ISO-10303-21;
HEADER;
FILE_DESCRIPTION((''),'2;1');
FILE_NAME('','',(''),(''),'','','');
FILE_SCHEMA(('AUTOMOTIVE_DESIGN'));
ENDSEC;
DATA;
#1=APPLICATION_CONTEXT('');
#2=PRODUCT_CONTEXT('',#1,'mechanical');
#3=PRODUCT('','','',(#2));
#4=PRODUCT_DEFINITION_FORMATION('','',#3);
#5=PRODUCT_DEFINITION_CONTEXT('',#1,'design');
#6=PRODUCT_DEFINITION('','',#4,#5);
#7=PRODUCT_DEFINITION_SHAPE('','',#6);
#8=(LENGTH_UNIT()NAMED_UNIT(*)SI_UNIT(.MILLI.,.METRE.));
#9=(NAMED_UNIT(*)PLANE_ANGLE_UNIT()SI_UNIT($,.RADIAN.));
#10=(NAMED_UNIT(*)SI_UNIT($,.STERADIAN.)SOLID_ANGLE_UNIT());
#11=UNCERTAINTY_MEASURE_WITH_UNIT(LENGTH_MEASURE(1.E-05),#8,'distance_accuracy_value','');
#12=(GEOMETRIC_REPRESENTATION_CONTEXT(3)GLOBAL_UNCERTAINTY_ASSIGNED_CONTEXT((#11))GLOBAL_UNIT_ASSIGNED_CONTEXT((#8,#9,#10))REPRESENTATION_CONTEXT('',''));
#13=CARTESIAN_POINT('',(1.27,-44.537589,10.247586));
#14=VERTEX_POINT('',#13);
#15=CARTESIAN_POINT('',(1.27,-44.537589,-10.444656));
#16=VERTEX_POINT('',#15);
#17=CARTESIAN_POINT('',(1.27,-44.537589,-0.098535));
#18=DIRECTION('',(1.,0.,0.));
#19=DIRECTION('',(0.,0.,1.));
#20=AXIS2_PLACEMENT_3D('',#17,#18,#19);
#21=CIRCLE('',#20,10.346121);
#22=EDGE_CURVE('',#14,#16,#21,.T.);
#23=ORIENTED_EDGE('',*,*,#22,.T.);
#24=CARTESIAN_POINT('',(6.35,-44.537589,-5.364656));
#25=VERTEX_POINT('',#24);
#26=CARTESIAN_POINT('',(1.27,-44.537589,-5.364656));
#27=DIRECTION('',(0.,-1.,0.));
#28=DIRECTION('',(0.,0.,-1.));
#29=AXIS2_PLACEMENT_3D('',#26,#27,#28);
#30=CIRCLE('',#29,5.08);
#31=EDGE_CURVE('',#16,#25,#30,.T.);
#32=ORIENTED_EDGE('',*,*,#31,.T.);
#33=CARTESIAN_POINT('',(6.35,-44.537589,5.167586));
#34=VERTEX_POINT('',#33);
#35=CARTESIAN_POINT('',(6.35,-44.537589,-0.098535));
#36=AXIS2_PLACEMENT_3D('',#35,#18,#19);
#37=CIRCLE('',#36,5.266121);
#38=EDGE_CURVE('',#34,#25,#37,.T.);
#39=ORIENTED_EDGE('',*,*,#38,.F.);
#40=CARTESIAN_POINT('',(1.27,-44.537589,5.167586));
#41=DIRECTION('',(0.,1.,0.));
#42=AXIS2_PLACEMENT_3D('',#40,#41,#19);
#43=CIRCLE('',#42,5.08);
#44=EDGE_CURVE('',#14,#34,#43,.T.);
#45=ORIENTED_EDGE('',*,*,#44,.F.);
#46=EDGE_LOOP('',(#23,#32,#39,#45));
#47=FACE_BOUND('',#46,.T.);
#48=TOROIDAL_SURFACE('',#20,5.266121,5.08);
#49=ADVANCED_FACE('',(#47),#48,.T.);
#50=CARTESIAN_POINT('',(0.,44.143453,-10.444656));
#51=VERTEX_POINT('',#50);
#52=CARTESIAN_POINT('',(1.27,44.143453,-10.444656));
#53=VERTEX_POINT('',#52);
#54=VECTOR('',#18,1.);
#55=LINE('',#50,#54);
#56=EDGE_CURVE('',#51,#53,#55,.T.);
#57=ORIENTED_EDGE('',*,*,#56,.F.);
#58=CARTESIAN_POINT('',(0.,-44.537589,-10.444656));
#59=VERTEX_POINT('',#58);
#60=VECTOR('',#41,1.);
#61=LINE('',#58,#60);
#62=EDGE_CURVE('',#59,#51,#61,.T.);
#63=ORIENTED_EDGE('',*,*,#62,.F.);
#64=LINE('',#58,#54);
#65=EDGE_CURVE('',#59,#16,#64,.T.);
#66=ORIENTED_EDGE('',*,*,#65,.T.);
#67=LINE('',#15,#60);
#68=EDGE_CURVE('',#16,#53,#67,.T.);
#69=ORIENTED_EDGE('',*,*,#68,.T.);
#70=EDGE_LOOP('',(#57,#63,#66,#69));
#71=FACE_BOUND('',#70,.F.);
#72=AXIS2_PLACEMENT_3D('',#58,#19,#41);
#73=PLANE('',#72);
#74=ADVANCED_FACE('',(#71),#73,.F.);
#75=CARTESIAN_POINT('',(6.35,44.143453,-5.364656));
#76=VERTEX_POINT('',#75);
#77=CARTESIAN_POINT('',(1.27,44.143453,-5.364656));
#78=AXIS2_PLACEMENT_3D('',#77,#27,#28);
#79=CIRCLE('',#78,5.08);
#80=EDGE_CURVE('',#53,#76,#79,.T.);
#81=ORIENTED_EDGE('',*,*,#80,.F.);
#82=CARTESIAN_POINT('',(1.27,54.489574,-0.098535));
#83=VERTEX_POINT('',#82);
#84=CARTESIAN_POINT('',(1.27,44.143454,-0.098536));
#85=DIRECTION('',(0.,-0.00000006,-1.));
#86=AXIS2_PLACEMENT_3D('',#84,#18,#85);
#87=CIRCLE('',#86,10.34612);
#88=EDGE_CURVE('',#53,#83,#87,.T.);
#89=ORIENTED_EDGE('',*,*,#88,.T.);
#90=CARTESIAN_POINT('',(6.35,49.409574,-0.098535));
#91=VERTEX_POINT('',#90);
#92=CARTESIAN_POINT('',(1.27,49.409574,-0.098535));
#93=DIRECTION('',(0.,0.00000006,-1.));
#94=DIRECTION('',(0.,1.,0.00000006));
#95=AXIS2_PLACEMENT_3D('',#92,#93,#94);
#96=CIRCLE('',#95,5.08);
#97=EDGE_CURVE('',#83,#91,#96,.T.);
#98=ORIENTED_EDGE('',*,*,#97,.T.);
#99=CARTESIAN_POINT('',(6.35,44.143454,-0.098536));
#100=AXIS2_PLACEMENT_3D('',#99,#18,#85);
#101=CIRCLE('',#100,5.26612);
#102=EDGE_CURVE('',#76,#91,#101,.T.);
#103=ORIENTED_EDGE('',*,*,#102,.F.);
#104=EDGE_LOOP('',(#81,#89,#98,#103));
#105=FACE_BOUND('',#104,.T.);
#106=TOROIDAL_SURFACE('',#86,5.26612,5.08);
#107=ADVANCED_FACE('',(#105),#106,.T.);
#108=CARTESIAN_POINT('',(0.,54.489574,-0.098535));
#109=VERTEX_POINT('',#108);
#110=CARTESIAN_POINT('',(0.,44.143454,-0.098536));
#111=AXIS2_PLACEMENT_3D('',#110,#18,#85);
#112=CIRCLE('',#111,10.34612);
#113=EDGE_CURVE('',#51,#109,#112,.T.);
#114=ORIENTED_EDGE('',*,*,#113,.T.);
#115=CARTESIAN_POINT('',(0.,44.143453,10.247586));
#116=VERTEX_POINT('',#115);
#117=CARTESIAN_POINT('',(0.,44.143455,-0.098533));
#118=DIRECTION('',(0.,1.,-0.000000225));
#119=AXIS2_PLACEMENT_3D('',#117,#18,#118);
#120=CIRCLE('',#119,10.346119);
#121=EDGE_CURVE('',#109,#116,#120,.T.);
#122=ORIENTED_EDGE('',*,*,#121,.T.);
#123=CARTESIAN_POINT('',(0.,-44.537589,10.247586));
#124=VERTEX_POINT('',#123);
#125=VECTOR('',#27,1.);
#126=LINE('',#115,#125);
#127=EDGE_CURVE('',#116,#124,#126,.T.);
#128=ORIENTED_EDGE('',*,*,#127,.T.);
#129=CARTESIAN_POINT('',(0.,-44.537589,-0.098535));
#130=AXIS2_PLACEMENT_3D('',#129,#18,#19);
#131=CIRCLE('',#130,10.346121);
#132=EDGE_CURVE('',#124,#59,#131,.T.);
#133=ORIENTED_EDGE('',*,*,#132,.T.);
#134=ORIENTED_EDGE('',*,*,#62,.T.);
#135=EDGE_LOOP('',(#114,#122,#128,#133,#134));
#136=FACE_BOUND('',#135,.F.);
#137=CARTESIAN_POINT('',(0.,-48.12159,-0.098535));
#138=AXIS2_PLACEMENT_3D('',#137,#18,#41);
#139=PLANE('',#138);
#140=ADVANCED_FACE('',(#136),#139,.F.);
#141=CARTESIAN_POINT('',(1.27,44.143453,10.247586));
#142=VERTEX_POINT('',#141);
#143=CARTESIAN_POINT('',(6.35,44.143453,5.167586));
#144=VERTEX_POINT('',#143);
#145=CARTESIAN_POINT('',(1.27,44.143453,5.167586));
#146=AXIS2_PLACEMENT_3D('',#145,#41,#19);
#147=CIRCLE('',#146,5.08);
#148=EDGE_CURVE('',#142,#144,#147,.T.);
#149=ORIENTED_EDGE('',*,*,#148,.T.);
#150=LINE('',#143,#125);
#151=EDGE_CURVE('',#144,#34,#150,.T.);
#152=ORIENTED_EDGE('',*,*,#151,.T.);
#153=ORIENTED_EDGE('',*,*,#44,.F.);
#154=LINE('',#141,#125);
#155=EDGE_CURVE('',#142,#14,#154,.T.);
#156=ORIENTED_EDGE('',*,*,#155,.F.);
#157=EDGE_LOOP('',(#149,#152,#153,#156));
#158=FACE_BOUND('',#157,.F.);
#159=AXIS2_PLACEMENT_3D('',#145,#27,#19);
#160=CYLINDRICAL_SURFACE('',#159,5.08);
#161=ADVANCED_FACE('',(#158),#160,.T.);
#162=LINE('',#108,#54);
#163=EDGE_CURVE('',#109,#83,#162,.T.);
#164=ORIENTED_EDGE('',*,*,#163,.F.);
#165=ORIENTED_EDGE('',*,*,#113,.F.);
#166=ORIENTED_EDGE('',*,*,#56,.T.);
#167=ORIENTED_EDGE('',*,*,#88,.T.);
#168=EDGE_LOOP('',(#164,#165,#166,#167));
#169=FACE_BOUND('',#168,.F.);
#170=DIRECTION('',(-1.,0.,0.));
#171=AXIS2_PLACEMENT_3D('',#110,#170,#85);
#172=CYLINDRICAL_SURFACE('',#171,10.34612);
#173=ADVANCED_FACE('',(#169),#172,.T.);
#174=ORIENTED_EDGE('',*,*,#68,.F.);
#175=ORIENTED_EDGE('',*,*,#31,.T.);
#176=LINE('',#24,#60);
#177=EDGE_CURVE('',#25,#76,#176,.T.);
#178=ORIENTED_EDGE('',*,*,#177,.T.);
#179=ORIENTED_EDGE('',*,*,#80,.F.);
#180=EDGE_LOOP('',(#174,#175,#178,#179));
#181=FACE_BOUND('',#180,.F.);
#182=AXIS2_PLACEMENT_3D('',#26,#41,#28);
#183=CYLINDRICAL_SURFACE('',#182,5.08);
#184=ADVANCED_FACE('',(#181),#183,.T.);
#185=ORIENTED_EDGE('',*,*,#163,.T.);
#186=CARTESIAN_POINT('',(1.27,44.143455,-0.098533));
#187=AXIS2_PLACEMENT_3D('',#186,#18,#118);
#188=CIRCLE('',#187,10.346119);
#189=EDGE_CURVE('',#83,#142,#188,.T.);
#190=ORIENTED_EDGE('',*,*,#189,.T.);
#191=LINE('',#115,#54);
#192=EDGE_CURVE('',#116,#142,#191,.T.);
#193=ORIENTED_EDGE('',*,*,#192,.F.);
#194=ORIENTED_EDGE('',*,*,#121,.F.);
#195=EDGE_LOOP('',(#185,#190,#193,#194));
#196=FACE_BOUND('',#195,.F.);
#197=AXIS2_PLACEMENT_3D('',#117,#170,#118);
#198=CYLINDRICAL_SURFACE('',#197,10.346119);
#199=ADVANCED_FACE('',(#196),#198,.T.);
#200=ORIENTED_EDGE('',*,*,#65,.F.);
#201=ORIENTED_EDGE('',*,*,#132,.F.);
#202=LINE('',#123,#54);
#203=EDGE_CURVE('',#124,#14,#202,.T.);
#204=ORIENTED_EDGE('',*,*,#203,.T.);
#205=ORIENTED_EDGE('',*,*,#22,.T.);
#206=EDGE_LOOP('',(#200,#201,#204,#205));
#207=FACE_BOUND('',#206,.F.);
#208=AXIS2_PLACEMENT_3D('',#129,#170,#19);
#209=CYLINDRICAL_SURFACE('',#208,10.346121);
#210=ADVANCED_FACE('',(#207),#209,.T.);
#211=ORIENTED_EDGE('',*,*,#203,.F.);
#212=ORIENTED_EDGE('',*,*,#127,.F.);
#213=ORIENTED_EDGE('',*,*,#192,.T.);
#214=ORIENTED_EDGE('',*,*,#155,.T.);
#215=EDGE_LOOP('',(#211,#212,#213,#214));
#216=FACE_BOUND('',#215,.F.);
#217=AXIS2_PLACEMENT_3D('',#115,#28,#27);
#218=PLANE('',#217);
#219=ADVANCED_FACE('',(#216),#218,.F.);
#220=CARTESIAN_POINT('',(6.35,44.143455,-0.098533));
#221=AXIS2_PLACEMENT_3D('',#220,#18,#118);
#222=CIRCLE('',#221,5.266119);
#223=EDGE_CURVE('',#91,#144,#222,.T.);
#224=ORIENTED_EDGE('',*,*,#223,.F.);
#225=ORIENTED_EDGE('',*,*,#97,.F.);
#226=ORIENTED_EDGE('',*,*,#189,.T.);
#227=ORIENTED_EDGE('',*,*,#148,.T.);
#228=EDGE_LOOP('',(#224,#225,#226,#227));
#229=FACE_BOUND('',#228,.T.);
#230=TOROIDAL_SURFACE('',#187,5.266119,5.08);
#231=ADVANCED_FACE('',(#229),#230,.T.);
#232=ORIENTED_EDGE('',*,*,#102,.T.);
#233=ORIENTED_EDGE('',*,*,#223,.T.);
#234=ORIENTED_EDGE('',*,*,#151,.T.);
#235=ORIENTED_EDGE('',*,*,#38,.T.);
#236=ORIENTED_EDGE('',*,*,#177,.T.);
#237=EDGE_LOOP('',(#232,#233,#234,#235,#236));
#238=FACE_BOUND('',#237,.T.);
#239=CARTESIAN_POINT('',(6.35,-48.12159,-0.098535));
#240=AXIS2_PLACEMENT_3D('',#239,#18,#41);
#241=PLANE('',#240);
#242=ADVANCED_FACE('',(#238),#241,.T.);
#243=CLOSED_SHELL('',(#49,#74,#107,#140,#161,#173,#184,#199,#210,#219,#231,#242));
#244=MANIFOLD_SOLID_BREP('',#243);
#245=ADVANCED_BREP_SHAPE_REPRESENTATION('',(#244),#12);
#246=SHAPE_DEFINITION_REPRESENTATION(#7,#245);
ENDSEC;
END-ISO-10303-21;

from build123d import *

# Parameters (mm, degrees)
F1_DEPTH = 6.35
F2_R     = 5.08


with BuildPart() as f1:
    # F0 (on Right) → F1 (new body)
    with BuildSketch(Plane.YZ):
        with BuildLine():
            Line((-44.537589, -10.444656), (-44.537589, 10.247586))
            ThreePointArc((-44.537589, 10.247586), (-54.88371, -0.098535), (-44.537589, -10.444656))
        make_face()
        with BuildLine():
            ThreePointArc((-34.191468, -0.098535), (-37.221777, 7.217278), (-44.537589, 10.247586))
            Line((-44.537589, 10.247586), (-44.537589, -10.444656))
            ThreePointArc((-44.537589, -10.444656), (-37.221777, -7.414347), (-34.191468, -0.098535))
        make_face()
        with BuildLine():
            ThreePointArc((54.489574, -0.098535), (51.459266, 7.217278), (44.143453, 10.247586))
            Line((44.143453, 10.247586), (44.143453, -10.444656))
            ThreePointArc((44.143453, -10.444656), (51.459266, -7.414347), (54.489574, -0.098535))
        make_face()
        with BuildLine():
            Line((44.143453, -10.444656), (44.143453, 10.247586))
            ThreePointArc((44.143453, 10.247586), (33.797332, -0.098535), (44.143453, -10.444656))
        make_face()
        with BuildLine():
            Line((44.143453, 10.247586), (-44.537589, 10.247586))
            ThreePointArc((-44.537589, 10.247586), (-37.221777, 7.217278), (-34.191468, -0.098535))
            ThreePointArc((-34.191468, -0.098535), (-37.221777, -7.414347), (-44.537589, -10.444656))
            Line((-44.537589, -10.444656), (44.143453, -10.444656))
            ThreePointArc((44.143453, -10.444656), (33.797332, -0.098535), (44.143453, 10.247586))
        make_face()
    extrude(amount=F1_DEPTH)

    # F2
    f2_edges = [f1.edges().sort_by_distance(p)[0] for p in [
        (6.35, 54.489574, -0.098535),
        (6.35, -0.197068, 10.247586),
        (6.35, -54.88371, -0.098535),
        (6.35, -0.197068, -10.444656),
    ]]
    fillet(f2_edges, radius=F2_R)


solid = f1.part
